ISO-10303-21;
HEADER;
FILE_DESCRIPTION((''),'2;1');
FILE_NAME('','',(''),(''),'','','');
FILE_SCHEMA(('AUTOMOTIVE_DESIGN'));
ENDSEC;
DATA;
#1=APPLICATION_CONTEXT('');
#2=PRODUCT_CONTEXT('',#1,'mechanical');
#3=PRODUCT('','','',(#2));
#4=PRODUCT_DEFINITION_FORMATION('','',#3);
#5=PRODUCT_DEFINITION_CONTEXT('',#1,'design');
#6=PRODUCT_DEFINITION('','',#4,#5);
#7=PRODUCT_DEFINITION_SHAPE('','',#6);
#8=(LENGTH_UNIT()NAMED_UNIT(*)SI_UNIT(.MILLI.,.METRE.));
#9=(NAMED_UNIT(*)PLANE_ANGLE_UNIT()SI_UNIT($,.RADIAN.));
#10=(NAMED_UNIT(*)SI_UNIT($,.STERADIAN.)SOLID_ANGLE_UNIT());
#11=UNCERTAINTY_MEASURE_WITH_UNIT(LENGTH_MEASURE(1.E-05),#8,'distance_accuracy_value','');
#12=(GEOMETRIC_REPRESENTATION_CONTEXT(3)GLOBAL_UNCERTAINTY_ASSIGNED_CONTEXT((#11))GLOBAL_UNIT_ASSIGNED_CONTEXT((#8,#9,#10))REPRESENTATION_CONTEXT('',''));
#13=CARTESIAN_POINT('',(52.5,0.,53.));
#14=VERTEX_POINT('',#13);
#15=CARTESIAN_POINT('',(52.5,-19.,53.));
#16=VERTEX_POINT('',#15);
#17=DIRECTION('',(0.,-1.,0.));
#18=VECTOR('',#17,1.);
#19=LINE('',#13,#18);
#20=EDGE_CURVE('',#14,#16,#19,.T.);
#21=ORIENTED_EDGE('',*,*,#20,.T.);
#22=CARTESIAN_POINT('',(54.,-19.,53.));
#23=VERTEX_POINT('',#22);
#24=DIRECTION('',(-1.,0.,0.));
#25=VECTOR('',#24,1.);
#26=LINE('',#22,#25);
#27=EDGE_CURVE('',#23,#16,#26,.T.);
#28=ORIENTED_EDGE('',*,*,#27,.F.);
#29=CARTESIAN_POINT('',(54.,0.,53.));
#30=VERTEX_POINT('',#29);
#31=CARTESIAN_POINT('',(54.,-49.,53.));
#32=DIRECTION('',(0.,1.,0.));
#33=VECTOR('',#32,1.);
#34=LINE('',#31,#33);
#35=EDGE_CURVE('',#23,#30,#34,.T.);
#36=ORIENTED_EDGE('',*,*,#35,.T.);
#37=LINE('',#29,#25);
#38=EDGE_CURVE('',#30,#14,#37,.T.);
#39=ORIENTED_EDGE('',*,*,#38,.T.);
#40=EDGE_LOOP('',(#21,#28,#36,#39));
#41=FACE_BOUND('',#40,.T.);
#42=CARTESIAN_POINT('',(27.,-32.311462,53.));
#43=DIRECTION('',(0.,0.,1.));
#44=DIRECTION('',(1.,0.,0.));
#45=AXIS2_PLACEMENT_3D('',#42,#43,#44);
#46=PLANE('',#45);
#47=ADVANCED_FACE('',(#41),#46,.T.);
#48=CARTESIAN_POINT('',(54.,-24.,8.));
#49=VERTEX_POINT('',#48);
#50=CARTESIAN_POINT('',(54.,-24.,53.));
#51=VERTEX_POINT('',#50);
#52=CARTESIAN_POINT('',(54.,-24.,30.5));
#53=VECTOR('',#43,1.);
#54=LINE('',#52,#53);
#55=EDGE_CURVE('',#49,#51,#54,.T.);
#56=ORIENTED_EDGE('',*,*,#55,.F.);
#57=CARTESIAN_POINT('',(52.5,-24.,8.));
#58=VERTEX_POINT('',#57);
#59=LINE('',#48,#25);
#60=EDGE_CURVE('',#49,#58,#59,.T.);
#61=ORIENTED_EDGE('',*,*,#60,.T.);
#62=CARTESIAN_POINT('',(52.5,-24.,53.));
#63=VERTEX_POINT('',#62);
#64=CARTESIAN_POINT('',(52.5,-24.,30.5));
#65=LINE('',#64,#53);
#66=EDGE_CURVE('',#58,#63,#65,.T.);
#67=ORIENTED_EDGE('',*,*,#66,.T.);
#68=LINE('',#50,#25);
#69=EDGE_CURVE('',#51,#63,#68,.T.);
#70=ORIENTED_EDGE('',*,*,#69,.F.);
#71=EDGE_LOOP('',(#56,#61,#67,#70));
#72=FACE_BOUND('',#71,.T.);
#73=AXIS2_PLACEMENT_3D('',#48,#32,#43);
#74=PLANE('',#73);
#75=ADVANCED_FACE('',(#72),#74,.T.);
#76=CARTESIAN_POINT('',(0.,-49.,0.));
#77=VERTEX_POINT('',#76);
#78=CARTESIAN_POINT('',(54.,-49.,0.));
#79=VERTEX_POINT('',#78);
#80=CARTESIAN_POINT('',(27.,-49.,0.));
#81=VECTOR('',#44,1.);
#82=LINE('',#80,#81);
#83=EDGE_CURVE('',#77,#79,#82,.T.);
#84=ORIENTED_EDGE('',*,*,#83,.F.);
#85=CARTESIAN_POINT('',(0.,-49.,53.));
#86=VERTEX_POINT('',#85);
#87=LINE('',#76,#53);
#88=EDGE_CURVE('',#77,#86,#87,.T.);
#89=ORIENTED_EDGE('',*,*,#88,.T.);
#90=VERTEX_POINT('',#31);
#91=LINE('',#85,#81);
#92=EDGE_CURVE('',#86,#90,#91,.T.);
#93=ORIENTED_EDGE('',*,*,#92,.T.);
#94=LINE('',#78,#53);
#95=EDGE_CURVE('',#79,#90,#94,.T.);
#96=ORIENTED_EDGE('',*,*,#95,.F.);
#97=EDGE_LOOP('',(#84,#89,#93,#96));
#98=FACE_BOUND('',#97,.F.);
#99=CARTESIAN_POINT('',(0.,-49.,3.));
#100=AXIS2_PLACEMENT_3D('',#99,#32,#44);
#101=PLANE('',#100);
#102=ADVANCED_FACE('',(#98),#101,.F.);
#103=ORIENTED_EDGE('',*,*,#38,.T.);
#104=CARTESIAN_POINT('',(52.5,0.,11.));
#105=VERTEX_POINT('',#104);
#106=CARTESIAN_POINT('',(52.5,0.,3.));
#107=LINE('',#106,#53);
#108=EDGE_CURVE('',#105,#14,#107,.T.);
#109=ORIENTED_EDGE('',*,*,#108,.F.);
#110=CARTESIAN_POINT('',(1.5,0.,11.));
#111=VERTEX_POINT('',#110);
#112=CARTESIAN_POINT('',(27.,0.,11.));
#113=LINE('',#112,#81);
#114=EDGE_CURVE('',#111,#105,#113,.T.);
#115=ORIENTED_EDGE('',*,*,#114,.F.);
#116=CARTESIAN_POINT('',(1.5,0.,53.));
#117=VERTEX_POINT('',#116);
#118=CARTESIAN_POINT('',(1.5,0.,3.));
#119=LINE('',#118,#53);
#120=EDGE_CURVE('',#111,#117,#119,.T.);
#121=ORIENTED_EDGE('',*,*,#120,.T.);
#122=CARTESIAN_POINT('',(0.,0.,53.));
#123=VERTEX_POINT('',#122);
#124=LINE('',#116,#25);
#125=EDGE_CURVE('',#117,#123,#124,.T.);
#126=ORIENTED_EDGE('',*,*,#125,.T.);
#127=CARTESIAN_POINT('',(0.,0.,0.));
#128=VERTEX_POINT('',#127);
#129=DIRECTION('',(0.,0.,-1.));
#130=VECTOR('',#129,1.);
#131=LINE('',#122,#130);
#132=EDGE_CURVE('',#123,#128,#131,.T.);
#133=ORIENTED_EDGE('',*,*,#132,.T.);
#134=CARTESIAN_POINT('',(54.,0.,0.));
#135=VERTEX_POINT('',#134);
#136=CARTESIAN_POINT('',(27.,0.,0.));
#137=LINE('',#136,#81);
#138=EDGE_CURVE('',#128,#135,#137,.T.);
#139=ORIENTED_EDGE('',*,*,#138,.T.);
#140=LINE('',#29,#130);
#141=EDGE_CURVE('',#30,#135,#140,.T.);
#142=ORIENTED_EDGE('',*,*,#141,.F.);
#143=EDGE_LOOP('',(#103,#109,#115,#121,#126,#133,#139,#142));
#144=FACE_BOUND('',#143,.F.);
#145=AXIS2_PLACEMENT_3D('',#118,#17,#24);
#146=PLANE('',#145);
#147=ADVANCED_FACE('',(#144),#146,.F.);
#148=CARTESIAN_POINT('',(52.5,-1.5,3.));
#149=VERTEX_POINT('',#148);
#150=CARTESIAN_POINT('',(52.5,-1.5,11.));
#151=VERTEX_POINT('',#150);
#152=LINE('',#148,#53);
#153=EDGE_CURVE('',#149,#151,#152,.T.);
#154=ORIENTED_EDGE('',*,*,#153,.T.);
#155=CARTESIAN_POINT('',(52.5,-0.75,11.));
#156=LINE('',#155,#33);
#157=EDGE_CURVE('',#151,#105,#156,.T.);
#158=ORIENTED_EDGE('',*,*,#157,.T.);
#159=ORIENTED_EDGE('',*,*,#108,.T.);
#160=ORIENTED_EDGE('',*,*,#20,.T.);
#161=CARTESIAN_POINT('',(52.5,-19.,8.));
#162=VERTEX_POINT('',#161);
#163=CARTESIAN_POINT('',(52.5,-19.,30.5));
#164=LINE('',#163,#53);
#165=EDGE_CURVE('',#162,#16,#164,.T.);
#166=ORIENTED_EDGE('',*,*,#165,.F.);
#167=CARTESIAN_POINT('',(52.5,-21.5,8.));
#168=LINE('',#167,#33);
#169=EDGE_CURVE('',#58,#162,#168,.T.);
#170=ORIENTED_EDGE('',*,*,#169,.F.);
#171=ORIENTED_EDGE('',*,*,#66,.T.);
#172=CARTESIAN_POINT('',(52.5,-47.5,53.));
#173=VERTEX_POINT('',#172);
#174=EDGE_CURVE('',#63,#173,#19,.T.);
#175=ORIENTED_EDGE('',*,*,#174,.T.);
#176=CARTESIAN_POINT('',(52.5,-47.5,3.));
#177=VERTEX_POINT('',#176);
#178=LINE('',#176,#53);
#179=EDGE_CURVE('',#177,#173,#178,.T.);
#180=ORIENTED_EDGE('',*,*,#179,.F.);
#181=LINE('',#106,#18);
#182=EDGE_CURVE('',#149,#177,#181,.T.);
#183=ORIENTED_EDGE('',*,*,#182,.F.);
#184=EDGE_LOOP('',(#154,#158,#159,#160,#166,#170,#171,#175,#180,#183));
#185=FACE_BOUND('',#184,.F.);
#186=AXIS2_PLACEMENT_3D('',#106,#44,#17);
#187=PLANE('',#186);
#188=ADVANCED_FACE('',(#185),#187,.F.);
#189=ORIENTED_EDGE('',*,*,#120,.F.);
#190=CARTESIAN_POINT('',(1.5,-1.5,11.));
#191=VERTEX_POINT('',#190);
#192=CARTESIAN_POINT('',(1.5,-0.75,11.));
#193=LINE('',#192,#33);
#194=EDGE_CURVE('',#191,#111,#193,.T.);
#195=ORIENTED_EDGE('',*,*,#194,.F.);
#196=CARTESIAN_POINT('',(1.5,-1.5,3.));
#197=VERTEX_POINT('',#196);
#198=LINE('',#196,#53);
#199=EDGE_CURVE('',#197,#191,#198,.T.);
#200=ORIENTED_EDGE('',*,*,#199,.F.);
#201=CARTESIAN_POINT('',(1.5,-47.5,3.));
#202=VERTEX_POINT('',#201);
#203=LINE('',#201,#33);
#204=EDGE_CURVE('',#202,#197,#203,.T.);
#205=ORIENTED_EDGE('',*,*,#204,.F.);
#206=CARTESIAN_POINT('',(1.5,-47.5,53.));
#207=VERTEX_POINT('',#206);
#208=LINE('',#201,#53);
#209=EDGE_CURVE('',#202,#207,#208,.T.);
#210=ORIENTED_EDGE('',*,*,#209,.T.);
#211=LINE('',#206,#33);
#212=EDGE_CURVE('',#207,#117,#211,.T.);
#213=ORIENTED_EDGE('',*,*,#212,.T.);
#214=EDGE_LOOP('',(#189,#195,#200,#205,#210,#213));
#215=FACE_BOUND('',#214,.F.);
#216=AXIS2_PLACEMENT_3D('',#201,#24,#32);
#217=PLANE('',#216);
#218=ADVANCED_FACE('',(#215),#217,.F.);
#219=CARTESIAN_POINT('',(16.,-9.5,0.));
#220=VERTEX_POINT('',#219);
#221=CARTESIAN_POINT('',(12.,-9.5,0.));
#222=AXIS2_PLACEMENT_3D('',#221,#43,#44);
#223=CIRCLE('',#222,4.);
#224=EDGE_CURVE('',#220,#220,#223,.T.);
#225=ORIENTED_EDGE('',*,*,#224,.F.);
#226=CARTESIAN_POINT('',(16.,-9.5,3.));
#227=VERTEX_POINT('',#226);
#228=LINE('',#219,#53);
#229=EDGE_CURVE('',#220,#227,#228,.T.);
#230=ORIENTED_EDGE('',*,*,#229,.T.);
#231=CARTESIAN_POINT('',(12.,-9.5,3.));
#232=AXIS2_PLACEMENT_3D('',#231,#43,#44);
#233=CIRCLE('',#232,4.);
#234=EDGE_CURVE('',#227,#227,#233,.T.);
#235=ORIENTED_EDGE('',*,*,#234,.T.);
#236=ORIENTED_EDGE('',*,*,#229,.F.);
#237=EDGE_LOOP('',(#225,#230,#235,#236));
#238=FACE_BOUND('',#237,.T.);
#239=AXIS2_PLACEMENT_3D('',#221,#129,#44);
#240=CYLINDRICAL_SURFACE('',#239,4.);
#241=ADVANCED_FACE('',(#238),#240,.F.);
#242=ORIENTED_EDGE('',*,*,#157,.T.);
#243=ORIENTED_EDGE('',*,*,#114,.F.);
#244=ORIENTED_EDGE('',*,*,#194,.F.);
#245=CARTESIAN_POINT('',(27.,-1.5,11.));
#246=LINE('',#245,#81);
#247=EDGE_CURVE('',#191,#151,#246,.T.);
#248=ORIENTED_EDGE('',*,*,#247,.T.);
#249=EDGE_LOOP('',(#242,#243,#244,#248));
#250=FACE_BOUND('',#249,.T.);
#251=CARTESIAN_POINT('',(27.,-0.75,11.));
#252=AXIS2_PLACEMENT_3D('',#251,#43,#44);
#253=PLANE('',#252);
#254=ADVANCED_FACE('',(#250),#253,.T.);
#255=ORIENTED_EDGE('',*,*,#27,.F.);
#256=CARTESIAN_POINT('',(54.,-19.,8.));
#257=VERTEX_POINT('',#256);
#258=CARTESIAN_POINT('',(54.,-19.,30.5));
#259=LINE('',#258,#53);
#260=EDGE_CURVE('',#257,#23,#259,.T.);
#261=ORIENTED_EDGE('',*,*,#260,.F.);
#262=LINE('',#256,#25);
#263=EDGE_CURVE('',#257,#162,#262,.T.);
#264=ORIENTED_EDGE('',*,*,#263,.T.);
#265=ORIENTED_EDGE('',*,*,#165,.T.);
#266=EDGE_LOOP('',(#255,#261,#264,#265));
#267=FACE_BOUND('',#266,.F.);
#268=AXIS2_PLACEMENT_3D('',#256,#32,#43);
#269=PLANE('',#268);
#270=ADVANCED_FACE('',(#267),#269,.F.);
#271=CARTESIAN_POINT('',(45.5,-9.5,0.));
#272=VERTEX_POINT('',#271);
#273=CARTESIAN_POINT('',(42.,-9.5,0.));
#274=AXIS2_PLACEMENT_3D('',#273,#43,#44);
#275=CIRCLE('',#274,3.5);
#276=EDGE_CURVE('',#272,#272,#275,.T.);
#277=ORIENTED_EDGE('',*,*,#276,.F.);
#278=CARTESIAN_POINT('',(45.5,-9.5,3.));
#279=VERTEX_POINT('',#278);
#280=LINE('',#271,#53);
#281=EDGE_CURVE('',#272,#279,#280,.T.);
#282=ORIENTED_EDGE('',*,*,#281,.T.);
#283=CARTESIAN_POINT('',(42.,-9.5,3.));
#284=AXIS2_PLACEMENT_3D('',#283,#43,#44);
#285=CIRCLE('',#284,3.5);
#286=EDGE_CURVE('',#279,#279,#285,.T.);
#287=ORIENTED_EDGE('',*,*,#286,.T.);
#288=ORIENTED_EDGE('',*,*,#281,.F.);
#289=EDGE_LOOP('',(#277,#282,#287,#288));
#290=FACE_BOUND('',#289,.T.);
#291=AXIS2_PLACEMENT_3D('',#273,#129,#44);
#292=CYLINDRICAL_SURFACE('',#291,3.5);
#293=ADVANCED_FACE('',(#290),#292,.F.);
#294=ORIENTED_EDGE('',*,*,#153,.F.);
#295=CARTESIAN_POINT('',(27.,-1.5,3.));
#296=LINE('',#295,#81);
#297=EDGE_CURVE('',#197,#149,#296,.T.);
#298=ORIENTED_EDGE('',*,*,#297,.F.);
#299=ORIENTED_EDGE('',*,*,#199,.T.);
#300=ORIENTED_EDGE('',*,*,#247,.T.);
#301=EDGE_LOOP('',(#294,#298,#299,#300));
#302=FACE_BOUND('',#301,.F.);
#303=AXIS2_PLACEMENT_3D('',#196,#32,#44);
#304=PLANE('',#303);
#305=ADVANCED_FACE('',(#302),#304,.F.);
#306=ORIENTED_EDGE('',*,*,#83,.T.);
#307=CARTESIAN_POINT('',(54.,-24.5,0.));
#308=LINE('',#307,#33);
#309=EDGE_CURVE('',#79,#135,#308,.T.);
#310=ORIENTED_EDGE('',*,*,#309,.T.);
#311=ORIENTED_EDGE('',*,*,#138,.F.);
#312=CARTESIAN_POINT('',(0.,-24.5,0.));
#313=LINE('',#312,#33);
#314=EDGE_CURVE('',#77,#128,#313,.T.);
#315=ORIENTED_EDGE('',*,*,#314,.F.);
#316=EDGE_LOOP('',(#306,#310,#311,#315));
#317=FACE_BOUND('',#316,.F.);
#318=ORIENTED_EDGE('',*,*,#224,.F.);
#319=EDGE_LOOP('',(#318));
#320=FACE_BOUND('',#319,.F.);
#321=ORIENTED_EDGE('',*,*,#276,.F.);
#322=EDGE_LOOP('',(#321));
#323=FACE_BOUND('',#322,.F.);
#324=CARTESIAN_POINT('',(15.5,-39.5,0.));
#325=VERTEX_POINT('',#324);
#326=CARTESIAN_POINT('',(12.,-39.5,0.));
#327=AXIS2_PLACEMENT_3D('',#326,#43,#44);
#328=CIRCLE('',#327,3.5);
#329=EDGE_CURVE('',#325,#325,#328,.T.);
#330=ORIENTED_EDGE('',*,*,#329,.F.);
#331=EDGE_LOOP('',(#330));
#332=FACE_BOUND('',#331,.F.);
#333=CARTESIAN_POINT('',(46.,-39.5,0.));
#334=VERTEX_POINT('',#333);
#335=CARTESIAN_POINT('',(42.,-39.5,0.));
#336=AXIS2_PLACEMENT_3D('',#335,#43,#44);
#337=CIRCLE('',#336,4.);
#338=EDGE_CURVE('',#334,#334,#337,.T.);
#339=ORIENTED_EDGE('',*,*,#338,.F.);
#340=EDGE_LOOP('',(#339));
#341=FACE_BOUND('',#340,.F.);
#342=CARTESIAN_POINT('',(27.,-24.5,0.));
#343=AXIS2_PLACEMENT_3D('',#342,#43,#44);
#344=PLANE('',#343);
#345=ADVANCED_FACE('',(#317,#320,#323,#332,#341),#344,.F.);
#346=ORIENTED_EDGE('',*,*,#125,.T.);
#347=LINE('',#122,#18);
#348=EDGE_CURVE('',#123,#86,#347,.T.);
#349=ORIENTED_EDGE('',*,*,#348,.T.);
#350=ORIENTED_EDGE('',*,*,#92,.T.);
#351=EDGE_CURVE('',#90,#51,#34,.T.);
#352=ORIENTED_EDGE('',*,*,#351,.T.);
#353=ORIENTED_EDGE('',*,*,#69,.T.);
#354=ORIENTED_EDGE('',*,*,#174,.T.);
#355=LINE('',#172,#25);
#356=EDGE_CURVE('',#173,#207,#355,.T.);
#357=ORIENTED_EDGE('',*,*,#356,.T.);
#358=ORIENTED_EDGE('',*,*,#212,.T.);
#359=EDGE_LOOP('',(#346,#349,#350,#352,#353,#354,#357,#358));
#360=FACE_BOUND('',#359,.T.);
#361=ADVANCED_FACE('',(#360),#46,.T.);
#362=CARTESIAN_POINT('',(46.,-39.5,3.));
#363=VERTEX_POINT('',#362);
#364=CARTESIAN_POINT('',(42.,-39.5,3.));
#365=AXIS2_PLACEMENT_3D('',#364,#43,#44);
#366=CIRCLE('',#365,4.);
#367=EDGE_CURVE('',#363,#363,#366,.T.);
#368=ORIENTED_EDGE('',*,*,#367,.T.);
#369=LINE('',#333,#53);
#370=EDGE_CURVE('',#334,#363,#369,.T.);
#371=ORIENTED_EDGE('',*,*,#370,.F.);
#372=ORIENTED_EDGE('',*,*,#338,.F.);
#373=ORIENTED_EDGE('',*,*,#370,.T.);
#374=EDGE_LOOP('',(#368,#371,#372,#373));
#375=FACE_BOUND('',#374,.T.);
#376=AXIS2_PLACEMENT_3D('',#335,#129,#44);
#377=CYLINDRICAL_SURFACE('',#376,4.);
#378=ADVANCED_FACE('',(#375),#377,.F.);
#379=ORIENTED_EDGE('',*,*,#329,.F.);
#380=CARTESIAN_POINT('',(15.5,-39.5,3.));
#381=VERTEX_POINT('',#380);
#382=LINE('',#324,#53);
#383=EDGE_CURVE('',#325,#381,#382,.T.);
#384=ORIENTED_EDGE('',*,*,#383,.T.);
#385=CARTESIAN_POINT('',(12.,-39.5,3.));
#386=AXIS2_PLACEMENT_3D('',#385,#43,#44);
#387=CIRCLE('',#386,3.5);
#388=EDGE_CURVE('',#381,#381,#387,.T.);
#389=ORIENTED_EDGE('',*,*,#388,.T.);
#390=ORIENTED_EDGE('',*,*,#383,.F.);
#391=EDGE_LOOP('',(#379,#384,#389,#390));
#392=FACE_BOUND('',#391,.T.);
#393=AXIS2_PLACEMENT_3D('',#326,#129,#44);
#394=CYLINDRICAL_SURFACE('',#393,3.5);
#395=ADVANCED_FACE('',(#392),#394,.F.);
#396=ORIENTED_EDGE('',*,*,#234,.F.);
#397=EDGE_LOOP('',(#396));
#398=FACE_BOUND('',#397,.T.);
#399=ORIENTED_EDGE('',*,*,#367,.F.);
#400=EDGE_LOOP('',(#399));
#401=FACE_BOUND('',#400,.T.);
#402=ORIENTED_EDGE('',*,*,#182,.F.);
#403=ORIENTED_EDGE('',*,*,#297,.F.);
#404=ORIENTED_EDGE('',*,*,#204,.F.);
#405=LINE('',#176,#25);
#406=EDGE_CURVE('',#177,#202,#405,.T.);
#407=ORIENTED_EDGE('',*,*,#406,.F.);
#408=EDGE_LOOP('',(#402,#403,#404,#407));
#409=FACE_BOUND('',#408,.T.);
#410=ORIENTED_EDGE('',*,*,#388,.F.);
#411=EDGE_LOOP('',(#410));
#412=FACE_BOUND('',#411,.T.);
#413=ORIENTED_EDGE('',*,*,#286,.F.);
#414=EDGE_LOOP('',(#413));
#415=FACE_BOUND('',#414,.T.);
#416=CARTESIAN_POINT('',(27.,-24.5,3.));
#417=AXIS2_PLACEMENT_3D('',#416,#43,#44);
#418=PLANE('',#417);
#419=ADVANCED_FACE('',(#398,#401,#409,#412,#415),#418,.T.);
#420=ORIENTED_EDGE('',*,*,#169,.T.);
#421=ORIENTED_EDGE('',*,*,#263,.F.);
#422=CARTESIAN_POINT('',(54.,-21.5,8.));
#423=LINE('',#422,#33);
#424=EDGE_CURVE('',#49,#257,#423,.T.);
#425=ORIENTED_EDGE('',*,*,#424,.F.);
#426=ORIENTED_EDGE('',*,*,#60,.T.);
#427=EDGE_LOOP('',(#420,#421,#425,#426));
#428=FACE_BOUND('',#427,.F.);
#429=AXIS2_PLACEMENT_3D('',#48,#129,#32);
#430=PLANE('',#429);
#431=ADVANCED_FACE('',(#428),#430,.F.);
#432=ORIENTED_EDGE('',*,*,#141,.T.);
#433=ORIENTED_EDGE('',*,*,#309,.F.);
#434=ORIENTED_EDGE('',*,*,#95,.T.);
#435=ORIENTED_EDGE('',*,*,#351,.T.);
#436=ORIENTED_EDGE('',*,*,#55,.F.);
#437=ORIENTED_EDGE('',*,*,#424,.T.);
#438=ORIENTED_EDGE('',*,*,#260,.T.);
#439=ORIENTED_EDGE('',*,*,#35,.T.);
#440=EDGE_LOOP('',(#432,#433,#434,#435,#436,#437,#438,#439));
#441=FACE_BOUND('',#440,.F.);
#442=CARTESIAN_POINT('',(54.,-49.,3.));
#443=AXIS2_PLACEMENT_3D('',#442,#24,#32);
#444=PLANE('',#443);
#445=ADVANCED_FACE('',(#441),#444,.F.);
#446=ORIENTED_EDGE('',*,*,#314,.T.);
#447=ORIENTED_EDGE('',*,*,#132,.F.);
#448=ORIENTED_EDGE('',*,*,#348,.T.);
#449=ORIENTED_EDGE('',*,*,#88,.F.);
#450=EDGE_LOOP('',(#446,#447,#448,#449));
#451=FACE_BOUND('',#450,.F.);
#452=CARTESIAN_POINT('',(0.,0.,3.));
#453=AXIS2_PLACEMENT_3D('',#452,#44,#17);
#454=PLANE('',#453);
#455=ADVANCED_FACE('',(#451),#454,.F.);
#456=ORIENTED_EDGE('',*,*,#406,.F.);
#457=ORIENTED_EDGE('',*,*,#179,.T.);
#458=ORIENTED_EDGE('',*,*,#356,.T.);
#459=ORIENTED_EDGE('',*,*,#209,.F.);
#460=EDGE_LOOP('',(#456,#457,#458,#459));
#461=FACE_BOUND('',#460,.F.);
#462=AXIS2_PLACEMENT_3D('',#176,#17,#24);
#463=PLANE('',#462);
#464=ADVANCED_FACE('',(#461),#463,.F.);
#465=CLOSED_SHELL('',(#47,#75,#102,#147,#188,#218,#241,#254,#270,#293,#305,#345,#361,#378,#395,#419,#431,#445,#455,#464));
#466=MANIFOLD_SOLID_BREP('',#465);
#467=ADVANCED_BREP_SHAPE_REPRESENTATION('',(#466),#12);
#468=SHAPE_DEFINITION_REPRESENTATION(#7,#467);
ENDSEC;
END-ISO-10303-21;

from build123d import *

# Parameters (mm, degrees)
SKETCH_W     = 54
SKETCH_H     = 49
SKETCH_R     = 3.5
SKETCH_R_2   = 4
PAD_DEPTH    = 3
PAD001_DEPTH = 50
SKETCH002_W  = 5
SKETCH002_H  = 45
POCKET_DEPTH = 1.5
SKETCH003_W  = 51
SKETCH003_H  = 1.5
PAD002_DEPTH = 8


with BuildPart() as part:
    # Sketch → Pad (new body)
    with BuildSketch(Plane.XY):
        with Locations((27, -24.5)):
            Rectangle(SKETCH_W, SKETCH_H)
        with Locations((12, -39.5)):
            Circle(SKETCH_R, mode=Mode.SUBTRACT)
        with Locations((42, -9.5)):
            Circle(SKETCH_R, mode=Mode.SUBTRACT)
        with Locations((12, -9.5)):
            Circle(SKETCH_R_2, mode=Mode.SUBTRACT)
        with Locations((42, -39.5)):
            Circle(SKETCH_R_2, mode=Mode.SUBTRACT)
    extrude(amount=PAD_DEPTH)

    # Sketch001 → Pad001 (new body)
    with BuildSketch(Plane.XY.offset(3)):
        Polygon((0, 0), (0, -49), (54, -49), (54, 0), (52.5, 0), (52.5, -47.5), (1.5, -47.5), (1.5, 0), align=None)
    extrude(amount=PAD001_DEPTH)

    # Sketch002 → Pocket (cut)
    with BuildSketch(Plane.YZ.offset(54)):
        with Locations((-21.5, 30.5)):
            Rectangle(SKETCH002_W, SKETCH002_H)
    extrude(amount=-POCKET_DEPTH, mode=Mode.SUBTRACT)

    # Sketch003 → Pad002 (new body)
    with BuildSketch(Plane.XY.offset(3)):
        with Locations((27, -0.75)):
            Rectangle(SKETCH003_W, SKETCH003_H)
    extrude(amount=PAD002_DEPTH)


solid = part.part
